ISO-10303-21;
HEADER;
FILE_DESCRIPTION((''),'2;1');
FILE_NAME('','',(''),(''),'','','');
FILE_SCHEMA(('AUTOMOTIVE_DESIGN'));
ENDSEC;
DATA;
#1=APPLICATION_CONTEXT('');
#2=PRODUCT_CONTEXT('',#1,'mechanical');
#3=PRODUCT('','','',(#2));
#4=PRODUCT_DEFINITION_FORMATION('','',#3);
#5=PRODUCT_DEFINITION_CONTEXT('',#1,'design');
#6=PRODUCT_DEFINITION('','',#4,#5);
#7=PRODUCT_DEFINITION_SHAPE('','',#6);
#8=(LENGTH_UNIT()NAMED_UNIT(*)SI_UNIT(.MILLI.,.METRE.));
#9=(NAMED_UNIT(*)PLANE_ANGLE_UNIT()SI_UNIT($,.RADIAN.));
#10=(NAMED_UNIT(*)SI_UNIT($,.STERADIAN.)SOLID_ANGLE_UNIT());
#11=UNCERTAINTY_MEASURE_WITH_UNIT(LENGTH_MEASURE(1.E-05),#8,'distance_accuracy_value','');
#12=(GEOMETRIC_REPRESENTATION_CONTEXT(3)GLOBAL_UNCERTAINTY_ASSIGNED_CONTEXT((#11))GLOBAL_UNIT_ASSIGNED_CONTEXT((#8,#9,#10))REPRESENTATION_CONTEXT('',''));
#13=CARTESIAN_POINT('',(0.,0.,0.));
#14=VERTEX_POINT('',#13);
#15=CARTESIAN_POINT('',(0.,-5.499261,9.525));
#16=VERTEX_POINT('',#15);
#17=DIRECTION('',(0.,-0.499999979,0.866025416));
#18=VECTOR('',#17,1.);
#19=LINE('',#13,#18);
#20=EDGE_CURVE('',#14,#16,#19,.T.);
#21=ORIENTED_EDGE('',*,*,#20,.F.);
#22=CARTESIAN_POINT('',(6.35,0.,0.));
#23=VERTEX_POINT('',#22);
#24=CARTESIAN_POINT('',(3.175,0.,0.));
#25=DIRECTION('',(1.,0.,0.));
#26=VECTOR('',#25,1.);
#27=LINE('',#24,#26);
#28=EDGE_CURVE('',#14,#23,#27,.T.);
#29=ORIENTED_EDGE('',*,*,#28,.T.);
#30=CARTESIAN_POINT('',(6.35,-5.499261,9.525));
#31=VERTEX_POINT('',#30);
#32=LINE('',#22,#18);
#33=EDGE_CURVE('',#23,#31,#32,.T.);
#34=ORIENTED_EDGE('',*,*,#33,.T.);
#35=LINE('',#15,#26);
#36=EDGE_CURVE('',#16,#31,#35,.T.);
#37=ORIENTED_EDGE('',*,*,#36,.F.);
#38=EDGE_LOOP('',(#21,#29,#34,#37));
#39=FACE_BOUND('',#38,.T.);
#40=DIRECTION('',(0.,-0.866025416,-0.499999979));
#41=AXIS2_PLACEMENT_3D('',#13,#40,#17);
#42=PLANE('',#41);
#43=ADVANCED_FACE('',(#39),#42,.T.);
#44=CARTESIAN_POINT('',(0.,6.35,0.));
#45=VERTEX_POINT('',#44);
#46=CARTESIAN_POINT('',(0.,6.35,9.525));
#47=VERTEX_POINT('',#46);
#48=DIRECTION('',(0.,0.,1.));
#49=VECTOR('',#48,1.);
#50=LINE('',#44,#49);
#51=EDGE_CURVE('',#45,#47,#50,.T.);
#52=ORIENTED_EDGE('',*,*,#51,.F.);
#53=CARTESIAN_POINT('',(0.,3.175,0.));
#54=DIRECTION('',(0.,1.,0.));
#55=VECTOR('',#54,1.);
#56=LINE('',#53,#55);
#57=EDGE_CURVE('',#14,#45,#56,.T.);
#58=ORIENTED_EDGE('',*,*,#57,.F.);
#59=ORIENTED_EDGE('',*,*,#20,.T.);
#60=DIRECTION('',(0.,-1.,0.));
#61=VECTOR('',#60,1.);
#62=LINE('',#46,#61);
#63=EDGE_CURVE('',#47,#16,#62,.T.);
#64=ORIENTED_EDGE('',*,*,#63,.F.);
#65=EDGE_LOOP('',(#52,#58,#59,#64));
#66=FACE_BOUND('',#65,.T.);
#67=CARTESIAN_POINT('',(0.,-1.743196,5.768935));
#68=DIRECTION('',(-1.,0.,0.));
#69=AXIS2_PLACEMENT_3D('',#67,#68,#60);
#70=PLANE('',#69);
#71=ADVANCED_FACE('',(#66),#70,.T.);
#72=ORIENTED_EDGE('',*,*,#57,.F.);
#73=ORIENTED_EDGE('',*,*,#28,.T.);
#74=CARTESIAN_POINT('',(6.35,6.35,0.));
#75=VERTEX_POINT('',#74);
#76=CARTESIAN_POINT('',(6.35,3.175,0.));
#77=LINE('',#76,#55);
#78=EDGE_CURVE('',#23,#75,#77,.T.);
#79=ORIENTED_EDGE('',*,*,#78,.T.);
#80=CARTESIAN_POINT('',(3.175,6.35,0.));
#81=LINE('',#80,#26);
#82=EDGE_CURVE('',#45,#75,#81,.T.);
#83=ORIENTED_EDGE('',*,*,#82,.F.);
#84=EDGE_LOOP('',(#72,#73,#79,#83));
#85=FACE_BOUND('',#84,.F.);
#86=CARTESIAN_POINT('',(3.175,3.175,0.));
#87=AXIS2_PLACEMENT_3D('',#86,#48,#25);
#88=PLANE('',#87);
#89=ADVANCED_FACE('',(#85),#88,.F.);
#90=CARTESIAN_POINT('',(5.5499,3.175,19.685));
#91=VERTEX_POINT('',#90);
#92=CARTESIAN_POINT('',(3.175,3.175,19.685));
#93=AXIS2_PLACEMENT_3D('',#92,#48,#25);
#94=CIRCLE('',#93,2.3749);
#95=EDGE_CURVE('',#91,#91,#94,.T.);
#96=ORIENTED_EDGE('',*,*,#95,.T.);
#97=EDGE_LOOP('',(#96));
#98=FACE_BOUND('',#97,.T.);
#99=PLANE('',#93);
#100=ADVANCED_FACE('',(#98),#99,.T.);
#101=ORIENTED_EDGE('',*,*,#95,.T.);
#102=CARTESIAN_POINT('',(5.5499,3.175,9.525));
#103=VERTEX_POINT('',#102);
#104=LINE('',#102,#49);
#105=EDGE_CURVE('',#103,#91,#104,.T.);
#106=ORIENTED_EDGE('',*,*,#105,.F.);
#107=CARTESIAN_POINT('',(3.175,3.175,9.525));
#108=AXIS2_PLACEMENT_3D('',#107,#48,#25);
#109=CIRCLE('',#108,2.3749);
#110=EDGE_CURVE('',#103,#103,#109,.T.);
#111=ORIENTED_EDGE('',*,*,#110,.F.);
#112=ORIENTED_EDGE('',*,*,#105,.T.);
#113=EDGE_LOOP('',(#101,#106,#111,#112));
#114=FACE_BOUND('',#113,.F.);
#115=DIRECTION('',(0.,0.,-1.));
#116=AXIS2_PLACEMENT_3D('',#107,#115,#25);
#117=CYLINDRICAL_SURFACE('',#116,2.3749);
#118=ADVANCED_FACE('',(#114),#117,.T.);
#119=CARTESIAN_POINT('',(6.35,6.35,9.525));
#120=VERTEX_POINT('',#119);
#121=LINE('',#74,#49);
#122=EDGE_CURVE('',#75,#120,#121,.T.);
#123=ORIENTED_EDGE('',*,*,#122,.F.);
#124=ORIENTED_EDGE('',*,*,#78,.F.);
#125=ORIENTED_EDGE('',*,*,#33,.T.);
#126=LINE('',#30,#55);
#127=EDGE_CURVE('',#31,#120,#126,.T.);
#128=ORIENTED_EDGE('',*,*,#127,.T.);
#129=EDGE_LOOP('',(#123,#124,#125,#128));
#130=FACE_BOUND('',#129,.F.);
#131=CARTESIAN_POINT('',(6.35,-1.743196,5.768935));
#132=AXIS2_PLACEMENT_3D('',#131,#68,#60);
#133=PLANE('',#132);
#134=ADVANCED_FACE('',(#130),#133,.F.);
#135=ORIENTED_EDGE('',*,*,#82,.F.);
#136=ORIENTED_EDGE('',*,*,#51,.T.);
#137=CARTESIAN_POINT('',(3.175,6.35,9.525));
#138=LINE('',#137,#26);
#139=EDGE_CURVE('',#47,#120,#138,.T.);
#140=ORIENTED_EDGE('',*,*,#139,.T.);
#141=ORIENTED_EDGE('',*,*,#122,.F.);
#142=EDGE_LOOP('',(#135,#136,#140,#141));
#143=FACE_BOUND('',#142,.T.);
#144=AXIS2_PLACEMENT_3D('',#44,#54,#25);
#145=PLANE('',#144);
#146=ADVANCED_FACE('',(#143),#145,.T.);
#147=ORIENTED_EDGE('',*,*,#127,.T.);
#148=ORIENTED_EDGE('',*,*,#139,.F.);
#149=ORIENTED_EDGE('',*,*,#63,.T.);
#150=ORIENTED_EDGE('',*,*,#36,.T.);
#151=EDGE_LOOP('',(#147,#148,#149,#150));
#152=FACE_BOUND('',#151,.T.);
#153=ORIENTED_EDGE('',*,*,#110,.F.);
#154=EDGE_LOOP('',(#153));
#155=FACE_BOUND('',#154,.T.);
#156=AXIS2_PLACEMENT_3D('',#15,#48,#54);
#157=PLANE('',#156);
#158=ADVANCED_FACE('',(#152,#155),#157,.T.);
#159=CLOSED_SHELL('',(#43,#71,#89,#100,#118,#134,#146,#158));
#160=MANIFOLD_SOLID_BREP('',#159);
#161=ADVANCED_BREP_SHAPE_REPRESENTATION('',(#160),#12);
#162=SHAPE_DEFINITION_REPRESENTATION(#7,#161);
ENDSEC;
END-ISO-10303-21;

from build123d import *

# Parameters (mm, degrees)
F0_W     = 6.35
F0_H     = 6.35
F1_DEPTH = 9.525
F2_R     = 2.3749
F3_DEPTH = 10.16
F5_DEPTH = 6.35


with BuildPart() as f1:
    # F0 (on Top) → F1 (new body)
    with BuildSketch(Plane.XY):
        with Locations((3.175, 3.175)):
            Rectangle(F0_W, F0_H)
    extrude(amount=F1_DEPTH)

    # F2 (on face) → F3 (join)
    with BuildSketch(Plane.XY.offset(9.525)):
        with Locations((3.175, 3.175)):
            Circle(F2_R)
    extrude(amount=F3_DEPTH)

    # F4 (on face) → F5 (join, through all)
    with BuildSketch(Plane(origin=(0, 0, 0), x_dir=(0, -1, 0), z_dir=(-1, 0, 0))):
        Polygon((5.499261, 9.525), (0, 9.525), (0, 0), align=None)
    extrude(amount=-F5_DEPTH)


solid = f1.part
